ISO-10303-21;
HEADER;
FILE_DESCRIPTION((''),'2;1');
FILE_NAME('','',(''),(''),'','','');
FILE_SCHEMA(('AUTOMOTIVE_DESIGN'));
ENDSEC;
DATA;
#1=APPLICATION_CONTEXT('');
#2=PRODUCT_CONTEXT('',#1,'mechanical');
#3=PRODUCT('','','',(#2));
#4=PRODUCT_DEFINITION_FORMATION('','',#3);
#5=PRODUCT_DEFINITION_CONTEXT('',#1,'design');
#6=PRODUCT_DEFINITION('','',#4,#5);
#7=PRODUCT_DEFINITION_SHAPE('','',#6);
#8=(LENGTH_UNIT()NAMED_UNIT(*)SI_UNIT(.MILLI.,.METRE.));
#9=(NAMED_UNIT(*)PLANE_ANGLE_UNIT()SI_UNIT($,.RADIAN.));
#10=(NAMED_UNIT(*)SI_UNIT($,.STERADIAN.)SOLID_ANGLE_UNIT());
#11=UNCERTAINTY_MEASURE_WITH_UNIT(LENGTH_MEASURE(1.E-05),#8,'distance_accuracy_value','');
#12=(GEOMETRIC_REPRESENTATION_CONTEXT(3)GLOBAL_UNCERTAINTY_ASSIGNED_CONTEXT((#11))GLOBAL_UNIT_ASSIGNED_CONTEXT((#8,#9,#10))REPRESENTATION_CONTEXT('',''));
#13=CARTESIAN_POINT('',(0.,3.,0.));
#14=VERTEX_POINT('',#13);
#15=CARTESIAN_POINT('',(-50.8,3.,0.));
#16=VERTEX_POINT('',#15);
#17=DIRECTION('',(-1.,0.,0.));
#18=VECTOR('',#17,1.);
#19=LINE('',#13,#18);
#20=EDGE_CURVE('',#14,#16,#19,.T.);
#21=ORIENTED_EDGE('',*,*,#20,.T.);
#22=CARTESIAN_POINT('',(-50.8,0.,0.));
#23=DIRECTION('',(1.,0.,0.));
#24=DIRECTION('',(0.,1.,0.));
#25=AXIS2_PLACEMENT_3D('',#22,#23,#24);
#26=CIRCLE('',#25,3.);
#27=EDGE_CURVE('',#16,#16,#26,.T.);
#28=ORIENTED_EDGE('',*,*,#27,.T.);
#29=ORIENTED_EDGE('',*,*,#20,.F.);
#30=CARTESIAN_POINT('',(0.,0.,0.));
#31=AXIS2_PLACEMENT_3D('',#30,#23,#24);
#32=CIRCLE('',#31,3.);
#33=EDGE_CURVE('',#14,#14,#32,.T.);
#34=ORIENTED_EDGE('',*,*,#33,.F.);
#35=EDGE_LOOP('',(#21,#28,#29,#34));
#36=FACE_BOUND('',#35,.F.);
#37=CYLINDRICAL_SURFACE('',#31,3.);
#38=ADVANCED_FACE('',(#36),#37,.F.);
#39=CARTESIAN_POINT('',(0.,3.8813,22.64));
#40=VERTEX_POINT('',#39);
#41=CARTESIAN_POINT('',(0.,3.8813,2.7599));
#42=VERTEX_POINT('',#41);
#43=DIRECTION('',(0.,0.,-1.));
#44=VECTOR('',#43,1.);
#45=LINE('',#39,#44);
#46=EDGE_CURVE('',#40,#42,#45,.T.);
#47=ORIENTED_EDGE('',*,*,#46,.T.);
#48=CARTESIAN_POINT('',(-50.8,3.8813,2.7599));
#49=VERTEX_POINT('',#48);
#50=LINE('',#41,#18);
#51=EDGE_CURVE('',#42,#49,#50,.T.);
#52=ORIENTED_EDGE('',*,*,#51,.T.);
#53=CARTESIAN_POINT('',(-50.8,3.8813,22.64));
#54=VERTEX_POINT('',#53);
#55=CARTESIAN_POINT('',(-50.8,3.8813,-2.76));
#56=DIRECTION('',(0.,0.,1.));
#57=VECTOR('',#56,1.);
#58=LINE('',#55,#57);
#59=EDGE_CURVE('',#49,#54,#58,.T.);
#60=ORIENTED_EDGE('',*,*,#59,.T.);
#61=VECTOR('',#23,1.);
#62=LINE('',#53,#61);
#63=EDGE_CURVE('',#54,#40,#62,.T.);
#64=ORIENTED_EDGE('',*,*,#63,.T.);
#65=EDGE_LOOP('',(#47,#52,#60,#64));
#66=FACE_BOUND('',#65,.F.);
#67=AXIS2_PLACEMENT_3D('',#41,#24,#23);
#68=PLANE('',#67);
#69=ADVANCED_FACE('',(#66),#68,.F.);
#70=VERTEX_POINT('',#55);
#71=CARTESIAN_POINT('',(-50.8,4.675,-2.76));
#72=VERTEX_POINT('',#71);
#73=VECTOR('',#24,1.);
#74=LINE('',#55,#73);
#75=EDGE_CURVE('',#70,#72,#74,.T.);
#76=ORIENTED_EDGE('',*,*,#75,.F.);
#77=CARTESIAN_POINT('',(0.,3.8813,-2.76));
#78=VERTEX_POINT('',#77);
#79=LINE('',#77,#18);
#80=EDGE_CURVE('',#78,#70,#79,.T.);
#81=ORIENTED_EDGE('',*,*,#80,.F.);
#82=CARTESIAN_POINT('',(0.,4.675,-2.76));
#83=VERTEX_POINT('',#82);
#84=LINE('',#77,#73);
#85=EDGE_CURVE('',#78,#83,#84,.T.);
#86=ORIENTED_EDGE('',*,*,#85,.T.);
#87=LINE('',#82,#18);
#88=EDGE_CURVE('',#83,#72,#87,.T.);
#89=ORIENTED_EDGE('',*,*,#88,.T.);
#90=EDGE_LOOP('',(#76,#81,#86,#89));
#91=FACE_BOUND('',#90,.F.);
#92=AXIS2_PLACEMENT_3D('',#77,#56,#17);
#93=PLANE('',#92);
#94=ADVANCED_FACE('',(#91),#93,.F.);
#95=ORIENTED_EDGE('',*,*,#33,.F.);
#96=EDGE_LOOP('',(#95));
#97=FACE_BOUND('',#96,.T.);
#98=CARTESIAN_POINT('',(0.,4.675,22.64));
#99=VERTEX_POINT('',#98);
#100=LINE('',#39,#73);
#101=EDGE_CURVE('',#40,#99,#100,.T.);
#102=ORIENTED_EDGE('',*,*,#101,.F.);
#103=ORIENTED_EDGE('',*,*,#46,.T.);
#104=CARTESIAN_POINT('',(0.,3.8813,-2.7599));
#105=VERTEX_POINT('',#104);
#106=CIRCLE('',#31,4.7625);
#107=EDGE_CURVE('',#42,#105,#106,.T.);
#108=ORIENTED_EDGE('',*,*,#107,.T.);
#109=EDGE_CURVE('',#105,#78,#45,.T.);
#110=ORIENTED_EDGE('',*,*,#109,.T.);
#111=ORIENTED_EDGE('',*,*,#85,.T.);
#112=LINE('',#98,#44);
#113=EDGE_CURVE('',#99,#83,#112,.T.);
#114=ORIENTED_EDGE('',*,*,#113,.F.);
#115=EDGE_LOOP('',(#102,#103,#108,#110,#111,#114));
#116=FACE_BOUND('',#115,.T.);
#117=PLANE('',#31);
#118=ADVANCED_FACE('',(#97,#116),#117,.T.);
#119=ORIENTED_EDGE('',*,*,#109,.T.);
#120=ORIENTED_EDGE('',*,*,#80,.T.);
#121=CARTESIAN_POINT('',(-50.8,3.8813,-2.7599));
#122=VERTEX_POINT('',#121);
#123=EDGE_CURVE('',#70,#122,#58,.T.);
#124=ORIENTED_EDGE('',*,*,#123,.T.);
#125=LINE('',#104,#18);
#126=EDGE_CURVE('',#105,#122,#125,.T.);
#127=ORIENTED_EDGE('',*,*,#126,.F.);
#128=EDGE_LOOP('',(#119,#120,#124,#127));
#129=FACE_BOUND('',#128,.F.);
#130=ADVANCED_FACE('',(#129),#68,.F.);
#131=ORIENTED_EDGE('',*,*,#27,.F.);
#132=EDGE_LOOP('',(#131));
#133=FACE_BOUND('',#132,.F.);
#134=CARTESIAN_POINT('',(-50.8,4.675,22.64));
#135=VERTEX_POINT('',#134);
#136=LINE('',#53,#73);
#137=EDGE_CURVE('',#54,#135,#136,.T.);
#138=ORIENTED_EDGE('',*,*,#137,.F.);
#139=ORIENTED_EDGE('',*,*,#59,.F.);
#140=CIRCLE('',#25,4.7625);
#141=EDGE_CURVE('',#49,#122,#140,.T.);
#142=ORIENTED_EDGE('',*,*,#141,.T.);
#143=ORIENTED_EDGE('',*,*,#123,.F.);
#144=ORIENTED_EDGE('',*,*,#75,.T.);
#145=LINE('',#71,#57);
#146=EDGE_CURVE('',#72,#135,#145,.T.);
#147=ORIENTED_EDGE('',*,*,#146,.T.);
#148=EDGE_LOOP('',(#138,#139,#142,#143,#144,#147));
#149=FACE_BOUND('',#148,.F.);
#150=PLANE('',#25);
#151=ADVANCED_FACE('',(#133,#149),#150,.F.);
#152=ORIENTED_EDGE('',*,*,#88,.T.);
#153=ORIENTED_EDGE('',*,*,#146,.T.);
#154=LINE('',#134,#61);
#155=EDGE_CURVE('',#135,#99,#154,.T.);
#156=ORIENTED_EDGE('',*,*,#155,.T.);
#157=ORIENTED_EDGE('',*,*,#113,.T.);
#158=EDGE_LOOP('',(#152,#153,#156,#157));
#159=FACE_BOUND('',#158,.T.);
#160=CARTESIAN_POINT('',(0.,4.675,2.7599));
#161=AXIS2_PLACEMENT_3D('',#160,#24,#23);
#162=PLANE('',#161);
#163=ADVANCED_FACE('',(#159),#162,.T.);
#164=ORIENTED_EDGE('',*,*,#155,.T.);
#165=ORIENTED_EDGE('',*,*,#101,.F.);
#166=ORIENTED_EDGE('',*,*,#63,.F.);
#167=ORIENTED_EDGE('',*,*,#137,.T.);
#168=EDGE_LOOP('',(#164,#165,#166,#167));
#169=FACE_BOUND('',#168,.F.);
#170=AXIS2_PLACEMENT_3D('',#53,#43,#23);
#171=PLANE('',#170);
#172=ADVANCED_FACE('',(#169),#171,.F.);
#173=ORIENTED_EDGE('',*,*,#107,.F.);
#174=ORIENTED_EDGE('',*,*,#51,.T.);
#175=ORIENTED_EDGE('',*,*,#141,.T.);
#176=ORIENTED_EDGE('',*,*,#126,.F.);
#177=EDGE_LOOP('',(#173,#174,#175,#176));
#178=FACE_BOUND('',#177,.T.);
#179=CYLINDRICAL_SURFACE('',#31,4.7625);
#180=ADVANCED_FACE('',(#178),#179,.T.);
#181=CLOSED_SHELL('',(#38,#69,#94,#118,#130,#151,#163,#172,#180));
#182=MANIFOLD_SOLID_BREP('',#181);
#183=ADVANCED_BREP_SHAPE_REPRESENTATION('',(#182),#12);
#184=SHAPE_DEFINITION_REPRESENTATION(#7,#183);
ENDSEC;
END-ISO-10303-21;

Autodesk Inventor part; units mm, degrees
ref_plane "YZ Plane" through (0, 0, 0) normal (1, 0, 0) x (0, 1, 0)
ref_plane "XZ Plane" through (0, 0, 0) normal (0, 1, 0) x (-1, 0, 0)
ref_plane "XY Plane" through (0, 0, 0) normal (0, 0, 1) x (1, 0, 0)
sketch "Sketch1" plane through (0, 0, 0) normal (1, 0, 0) x (0, 1, 0)
  circle A0 centre (0, 0) radius 3
  circle A1 centre (0, 0) radius 4.7625
  line L0 (4.7625, 0) -> (3, 0)
  line L1 (3.8813, 0) -> (3.8813, 2.7599)
  line L2 (3.8813, 0) -> (3.8813, -2.7599)
  dimension "d0" = 6
extrude "Extrusion1" add sketch "Sketch1" against normal blind 50.8 contours L2 A1 L1
sketch "Sketch2" plane through (0, 3.8813, 2.7599) normal (0, 1, 0) x (1, 0, 0)
  line L0 (0, 5.5199) -> (-50.8, 5.5199) projected
  line L1 (0, 5.5199) -> (-50.8, 5.5199)
  line L2 (-50.8, 5.5199) -> (-50.8, -19.8801)
  line L3 (-50.8, -19.8801) -> (0, -19.8801)
  line L4 (0, -19.8801) -> (0, 5.5199)
  point P0 (0, 0)
  dimension "d7" = 50.8
  dimension "d8" = 25.4
extrude "Extrusion2" add sketch "Sketch2" along normal blind 0.7937
properties part number "AxleHolder_3DPrint"
